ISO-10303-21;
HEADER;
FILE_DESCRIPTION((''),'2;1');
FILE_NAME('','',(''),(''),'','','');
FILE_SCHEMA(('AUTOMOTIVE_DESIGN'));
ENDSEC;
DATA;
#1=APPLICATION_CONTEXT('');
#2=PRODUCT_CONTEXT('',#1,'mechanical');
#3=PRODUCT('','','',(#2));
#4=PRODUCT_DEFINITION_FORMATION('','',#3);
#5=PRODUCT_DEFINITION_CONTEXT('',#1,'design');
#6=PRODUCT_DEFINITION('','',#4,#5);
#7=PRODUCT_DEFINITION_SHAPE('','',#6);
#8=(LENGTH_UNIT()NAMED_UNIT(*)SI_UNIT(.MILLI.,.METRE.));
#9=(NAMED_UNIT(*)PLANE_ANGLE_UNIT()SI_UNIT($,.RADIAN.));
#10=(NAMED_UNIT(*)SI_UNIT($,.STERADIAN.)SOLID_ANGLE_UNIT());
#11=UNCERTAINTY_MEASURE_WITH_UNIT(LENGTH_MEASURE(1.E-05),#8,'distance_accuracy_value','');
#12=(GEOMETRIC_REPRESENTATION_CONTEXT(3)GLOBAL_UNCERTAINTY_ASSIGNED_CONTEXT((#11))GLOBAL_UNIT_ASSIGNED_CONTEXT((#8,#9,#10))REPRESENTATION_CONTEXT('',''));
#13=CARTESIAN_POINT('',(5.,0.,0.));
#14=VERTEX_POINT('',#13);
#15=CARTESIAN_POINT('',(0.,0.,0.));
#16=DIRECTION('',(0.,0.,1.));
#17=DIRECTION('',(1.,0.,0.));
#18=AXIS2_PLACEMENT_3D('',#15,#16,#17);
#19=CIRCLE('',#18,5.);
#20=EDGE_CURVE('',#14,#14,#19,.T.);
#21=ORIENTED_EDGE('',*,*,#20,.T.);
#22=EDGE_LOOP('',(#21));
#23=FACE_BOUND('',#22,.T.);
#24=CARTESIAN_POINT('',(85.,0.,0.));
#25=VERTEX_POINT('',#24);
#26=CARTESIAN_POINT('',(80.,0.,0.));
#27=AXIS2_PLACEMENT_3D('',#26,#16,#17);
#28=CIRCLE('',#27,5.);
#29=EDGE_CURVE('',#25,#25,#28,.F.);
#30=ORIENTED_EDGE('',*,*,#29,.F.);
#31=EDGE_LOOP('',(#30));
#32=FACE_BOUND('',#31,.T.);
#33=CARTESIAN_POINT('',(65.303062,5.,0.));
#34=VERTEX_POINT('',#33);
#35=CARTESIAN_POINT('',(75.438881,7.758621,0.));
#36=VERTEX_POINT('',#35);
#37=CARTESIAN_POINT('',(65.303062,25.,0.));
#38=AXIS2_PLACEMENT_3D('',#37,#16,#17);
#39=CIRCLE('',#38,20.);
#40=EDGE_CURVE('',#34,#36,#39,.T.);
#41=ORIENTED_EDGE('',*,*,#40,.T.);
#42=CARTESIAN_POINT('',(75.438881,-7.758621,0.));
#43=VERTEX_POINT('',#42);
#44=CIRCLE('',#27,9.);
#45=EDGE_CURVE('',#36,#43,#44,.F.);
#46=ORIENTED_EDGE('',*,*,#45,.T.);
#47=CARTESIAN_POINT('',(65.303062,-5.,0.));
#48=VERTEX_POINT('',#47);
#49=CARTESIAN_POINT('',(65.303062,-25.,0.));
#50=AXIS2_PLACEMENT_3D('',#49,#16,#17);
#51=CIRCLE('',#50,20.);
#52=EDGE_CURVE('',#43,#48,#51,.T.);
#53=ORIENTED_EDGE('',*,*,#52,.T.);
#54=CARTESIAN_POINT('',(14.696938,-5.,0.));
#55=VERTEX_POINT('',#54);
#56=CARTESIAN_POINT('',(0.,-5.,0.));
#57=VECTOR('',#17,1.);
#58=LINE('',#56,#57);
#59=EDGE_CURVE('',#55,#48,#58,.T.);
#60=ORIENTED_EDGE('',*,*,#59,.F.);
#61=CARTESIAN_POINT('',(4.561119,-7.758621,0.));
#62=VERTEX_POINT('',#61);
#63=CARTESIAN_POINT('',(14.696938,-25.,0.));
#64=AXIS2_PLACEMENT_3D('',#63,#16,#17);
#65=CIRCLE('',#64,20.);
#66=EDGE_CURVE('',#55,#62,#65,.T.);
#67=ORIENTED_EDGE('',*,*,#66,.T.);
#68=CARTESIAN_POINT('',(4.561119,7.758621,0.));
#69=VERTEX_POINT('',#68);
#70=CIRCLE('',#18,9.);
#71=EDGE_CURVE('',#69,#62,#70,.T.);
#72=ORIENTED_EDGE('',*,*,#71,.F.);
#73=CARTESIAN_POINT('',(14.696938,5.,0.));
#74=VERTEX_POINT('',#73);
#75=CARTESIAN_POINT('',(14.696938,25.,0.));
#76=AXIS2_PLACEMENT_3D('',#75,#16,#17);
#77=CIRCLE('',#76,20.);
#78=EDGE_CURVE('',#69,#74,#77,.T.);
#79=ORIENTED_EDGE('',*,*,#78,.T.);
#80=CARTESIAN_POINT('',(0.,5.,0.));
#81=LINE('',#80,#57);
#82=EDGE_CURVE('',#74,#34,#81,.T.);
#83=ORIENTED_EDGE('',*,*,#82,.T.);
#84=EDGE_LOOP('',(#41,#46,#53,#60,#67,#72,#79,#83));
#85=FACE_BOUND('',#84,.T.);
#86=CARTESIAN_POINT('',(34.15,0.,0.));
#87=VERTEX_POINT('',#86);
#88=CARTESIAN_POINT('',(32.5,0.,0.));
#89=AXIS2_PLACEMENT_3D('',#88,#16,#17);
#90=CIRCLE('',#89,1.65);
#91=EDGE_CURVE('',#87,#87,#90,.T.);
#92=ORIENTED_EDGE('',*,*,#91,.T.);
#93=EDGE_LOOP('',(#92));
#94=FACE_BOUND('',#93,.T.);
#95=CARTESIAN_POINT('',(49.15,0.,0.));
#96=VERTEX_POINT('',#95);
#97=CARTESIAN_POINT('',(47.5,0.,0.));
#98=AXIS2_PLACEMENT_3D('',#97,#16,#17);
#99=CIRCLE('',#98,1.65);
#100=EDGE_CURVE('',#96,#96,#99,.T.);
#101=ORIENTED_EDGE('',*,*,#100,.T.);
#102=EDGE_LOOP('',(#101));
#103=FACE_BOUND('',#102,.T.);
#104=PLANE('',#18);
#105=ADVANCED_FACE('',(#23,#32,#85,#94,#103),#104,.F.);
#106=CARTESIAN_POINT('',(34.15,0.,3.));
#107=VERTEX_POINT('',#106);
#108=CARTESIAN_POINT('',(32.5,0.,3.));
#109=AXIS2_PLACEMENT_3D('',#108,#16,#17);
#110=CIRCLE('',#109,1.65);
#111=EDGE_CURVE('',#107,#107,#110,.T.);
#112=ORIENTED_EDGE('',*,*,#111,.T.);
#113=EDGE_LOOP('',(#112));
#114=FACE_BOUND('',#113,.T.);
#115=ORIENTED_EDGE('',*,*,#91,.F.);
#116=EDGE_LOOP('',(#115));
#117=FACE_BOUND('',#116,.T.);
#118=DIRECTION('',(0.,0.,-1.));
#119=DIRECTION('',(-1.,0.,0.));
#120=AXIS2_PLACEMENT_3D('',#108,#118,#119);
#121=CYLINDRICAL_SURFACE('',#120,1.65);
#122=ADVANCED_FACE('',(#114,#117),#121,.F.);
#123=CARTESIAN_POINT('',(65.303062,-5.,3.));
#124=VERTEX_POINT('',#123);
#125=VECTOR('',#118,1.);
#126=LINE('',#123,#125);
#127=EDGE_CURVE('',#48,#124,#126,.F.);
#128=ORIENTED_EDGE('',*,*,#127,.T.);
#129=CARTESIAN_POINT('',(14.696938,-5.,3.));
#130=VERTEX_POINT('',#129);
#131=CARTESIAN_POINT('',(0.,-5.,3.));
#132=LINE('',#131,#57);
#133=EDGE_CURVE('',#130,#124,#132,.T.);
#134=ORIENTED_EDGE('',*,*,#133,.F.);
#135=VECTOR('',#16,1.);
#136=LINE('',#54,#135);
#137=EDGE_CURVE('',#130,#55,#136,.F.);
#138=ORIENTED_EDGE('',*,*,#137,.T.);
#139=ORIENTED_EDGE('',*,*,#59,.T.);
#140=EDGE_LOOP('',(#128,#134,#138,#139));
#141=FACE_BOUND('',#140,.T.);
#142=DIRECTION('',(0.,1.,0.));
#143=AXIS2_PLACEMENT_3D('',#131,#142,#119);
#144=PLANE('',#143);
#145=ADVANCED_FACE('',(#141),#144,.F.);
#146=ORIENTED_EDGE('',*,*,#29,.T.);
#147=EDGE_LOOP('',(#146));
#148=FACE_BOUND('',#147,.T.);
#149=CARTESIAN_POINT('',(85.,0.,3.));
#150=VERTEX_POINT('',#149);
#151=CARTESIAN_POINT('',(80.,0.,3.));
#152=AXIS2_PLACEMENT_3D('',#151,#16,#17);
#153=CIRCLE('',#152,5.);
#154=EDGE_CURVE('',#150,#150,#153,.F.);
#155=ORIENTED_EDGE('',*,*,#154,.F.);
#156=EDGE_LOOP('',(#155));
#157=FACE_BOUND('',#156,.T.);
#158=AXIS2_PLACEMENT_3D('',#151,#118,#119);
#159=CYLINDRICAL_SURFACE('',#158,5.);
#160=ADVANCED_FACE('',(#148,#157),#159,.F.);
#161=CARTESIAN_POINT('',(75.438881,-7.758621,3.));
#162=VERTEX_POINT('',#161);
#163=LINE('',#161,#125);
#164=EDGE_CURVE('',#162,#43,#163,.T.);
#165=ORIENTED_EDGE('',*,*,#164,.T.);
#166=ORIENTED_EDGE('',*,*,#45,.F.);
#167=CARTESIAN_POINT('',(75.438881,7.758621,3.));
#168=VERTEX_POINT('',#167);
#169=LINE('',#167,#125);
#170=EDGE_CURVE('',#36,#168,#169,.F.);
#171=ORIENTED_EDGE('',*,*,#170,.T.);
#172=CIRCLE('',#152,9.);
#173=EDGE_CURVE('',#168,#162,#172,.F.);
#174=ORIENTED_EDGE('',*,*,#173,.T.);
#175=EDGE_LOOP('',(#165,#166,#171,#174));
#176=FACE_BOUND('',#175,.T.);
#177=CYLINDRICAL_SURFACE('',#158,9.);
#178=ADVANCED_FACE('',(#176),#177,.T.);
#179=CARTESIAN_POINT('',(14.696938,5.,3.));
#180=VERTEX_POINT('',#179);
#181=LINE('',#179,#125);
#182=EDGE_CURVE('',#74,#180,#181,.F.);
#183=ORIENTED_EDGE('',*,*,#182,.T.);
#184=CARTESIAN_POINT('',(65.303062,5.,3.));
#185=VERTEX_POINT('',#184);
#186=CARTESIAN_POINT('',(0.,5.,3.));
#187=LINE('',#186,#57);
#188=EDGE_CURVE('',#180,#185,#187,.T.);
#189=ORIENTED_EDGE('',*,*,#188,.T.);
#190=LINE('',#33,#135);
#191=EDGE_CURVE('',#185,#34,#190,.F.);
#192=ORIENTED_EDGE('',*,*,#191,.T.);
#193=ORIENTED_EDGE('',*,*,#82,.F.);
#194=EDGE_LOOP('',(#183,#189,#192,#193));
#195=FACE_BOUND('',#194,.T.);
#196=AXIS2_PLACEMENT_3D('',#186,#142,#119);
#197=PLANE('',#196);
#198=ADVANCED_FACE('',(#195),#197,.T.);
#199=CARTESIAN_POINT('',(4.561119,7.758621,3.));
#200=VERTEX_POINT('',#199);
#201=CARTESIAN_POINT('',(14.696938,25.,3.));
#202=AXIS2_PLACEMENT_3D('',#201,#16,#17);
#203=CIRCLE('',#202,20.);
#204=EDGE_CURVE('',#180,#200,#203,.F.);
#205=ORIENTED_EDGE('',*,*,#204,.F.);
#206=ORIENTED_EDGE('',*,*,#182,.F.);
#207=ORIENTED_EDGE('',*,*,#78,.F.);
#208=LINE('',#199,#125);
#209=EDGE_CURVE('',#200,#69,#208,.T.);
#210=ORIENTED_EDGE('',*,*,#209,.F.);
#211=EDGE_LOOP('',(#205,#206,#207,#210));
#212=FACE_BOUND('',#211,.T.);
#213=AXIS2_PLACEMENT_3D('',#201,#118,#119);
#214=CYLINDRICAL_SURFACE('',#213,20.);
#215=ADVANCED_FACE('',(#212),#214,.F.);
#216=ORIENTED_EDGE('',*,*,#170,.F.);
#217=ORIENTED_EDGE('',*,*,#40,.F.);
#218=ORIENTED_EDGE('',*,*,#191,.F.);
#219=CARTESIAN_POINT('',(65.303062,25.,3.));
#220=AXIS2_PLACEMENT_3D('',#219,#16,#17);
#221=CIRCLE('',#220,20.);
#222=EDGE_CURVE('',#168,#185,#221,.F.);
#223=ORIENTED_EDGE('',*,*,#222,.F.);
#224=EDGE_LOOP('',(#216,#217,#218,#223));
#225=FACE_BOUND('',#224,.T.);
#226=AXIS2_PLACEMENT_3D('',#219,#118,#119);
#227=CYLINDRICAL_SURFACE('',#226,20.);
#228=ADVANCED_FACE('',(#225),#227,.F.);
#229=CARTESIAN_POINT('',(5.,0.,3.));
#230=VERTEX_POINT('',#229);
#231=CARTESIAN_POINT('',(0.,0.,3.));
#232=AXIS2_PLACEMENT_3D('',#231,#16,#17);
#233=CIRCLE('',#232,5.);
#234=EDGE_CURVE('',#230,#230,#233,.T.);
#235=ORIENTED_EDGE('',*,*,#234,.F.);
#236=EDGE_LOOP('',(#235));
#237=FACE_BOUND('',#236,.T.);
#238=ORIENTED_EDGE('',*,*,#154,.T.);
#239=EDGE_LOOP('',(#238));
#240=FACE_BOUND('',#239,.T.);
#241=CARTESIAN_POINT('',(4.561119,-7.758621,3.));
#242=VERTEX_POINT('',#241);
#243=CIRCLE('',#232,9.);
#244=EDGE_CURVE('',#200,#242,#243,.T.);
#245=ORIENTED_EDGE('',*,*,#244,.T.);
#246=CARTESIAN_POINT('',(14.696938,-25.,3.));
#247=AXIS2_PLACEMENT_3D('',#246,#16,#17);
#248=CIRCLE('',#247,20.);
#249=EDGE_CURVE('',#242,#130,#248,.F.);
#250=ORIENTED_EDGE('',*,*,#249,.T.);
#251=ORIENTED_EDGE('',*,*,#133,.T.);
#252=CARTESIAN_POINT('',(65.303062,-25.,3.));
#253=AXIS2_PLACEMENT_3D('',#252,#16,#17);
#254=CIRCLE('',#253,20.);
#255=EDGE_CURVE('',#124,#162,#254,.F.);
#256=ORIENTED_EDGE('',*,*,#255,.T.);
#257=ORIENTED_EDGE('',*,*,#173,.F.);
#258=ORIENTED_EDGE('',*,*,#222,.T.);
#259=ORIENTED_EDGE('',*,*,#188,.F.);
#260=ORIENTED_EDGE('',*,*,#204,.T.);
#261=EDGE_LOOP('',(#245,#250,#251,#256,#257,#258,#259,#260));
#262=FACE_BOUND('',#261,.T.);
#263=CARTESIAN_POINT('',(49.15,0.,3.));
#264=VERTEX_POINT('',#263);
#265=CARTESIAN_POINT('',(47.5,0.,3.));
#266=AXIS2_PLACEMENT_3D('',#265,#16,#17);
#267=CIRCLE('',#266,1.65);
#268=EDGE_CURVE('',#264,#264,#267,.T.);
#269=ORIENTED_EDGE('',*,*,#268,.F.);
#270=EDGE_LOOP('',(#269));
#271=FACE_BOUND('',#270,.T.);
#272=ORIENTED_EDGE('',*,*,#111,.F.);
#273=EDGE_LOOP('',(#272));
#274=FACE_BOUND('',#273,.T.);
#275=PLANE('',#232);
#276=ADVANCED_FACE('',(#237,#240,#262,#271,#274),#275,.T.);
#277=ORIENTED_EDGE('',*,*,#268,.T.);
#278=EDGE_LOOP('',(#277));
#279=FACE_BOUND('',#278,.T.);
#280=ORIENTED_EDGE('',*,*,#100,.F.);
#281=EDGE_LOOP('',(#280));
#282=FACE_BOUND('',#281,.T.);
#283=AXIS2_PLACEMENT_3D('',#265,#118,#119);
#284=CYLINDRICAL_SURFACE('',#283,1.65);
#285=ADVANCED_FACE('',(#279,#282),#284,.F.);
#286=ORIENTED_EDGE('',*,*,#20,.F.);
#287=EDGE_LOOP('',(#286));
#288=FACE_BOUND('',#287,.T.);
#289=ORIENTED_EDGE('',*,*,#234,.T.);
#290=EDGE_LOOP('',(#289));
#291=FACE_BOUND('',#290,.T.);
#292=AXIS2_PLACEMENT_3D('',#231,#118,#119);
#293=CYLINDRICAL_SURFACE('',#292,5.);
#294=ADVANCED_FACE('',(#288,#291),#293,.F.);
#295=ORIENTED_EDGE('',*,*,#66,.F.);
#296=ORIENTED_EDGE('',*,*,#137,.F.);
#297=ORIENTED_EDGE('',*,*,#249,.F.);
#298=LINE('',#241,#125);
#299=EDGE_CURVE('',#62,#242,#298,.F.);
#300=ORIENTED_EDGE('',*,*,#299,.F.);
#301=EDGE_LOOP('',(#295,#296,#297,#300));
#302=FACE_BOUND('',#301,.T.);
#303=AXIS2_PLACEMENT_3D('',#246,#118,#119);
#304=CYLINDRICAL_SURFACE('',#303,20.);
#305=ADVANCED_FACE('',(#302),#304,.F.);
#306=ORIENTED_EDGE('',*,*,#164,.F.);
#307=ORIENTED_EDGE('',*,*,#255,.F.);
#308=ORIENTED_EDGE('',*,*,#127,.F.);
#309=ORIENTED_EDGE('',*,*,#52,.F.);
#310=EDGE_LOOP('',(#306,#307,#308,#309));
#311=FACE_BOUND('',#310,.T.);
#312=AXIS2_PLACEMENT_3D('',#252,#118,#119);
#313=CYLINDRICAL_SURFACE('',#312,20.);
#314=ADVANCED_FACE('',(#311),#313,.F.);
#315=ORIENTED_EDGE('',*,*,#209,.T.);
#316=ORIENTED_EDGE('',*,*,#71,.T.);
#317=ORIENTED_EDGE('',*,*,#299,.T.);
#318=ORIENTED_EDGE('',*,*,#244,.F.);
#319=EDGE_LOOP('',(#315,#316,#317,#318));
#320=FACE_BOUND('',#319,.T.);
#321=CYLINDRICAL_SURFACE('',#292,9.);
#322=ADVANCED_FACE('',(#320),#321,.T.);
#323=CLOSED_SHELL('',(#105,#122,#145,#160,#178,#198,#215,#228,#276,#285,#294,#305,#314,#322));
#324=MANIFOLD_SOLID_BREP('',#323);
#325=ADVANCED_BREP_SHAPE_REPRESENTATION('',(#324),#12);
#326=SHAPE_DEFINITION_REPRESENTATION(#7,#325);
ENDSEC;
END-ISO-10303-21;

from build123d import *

# Parameters (mm, degrees)
ESBO_O1_R                = 5
ESBO_O1_R_2              = 1.65
RESSALTO_EXTRUS_O1_DEPTH = 3
FILETE1_R                = 20


with BuildPart() as part:
    # Esboço1 → Ressalto-extrusão1 (new body)
    with BuildSketch(Plane.XY):
        with BuildLine():
            Line((7.483314774, -5), (72.516685226, -5))
            ThreePointArc((72.516685226, -5), (89, 0), (72.516685226, 5))
            Line((72.516685226, 5), (7.483314774, 5))
            ThreePointArc((7.483314774, 5), (-9, 0), (7.483314774, -5))
        make_face()
        Circle(ESBO_O1_R, mode=Mode.SUBTRACT)
        with Locations((32.5, 0)):
            Circle(ESBO_O1_R_2, mode=Mode.SUBTRACT)
        with Locations((47.5, 0)):
            Circle(ESBO_O1_R_2, mode=Mode.SUBTRACT)
        with Locations((80, 0)):
            Circle(ESBO_O1_R, mode=Mode.SUBTRACT)
    extrude(amount=RESSALTO_EXTRUS_O1_DEPTH)

    # Filete1
    filete1_edges = [part.edges().sort_by_distance(p)[0] for p in [
        (72.516685226, -5, 1.5),
        (7.483314774, -5, 1.5),
        (7.483314774, 5, 1.5),
        (72.516685226, 5, 1.5),
    ]]
    fillet(filete1_edges, radius=FILETE1_R)


solid = part.part
